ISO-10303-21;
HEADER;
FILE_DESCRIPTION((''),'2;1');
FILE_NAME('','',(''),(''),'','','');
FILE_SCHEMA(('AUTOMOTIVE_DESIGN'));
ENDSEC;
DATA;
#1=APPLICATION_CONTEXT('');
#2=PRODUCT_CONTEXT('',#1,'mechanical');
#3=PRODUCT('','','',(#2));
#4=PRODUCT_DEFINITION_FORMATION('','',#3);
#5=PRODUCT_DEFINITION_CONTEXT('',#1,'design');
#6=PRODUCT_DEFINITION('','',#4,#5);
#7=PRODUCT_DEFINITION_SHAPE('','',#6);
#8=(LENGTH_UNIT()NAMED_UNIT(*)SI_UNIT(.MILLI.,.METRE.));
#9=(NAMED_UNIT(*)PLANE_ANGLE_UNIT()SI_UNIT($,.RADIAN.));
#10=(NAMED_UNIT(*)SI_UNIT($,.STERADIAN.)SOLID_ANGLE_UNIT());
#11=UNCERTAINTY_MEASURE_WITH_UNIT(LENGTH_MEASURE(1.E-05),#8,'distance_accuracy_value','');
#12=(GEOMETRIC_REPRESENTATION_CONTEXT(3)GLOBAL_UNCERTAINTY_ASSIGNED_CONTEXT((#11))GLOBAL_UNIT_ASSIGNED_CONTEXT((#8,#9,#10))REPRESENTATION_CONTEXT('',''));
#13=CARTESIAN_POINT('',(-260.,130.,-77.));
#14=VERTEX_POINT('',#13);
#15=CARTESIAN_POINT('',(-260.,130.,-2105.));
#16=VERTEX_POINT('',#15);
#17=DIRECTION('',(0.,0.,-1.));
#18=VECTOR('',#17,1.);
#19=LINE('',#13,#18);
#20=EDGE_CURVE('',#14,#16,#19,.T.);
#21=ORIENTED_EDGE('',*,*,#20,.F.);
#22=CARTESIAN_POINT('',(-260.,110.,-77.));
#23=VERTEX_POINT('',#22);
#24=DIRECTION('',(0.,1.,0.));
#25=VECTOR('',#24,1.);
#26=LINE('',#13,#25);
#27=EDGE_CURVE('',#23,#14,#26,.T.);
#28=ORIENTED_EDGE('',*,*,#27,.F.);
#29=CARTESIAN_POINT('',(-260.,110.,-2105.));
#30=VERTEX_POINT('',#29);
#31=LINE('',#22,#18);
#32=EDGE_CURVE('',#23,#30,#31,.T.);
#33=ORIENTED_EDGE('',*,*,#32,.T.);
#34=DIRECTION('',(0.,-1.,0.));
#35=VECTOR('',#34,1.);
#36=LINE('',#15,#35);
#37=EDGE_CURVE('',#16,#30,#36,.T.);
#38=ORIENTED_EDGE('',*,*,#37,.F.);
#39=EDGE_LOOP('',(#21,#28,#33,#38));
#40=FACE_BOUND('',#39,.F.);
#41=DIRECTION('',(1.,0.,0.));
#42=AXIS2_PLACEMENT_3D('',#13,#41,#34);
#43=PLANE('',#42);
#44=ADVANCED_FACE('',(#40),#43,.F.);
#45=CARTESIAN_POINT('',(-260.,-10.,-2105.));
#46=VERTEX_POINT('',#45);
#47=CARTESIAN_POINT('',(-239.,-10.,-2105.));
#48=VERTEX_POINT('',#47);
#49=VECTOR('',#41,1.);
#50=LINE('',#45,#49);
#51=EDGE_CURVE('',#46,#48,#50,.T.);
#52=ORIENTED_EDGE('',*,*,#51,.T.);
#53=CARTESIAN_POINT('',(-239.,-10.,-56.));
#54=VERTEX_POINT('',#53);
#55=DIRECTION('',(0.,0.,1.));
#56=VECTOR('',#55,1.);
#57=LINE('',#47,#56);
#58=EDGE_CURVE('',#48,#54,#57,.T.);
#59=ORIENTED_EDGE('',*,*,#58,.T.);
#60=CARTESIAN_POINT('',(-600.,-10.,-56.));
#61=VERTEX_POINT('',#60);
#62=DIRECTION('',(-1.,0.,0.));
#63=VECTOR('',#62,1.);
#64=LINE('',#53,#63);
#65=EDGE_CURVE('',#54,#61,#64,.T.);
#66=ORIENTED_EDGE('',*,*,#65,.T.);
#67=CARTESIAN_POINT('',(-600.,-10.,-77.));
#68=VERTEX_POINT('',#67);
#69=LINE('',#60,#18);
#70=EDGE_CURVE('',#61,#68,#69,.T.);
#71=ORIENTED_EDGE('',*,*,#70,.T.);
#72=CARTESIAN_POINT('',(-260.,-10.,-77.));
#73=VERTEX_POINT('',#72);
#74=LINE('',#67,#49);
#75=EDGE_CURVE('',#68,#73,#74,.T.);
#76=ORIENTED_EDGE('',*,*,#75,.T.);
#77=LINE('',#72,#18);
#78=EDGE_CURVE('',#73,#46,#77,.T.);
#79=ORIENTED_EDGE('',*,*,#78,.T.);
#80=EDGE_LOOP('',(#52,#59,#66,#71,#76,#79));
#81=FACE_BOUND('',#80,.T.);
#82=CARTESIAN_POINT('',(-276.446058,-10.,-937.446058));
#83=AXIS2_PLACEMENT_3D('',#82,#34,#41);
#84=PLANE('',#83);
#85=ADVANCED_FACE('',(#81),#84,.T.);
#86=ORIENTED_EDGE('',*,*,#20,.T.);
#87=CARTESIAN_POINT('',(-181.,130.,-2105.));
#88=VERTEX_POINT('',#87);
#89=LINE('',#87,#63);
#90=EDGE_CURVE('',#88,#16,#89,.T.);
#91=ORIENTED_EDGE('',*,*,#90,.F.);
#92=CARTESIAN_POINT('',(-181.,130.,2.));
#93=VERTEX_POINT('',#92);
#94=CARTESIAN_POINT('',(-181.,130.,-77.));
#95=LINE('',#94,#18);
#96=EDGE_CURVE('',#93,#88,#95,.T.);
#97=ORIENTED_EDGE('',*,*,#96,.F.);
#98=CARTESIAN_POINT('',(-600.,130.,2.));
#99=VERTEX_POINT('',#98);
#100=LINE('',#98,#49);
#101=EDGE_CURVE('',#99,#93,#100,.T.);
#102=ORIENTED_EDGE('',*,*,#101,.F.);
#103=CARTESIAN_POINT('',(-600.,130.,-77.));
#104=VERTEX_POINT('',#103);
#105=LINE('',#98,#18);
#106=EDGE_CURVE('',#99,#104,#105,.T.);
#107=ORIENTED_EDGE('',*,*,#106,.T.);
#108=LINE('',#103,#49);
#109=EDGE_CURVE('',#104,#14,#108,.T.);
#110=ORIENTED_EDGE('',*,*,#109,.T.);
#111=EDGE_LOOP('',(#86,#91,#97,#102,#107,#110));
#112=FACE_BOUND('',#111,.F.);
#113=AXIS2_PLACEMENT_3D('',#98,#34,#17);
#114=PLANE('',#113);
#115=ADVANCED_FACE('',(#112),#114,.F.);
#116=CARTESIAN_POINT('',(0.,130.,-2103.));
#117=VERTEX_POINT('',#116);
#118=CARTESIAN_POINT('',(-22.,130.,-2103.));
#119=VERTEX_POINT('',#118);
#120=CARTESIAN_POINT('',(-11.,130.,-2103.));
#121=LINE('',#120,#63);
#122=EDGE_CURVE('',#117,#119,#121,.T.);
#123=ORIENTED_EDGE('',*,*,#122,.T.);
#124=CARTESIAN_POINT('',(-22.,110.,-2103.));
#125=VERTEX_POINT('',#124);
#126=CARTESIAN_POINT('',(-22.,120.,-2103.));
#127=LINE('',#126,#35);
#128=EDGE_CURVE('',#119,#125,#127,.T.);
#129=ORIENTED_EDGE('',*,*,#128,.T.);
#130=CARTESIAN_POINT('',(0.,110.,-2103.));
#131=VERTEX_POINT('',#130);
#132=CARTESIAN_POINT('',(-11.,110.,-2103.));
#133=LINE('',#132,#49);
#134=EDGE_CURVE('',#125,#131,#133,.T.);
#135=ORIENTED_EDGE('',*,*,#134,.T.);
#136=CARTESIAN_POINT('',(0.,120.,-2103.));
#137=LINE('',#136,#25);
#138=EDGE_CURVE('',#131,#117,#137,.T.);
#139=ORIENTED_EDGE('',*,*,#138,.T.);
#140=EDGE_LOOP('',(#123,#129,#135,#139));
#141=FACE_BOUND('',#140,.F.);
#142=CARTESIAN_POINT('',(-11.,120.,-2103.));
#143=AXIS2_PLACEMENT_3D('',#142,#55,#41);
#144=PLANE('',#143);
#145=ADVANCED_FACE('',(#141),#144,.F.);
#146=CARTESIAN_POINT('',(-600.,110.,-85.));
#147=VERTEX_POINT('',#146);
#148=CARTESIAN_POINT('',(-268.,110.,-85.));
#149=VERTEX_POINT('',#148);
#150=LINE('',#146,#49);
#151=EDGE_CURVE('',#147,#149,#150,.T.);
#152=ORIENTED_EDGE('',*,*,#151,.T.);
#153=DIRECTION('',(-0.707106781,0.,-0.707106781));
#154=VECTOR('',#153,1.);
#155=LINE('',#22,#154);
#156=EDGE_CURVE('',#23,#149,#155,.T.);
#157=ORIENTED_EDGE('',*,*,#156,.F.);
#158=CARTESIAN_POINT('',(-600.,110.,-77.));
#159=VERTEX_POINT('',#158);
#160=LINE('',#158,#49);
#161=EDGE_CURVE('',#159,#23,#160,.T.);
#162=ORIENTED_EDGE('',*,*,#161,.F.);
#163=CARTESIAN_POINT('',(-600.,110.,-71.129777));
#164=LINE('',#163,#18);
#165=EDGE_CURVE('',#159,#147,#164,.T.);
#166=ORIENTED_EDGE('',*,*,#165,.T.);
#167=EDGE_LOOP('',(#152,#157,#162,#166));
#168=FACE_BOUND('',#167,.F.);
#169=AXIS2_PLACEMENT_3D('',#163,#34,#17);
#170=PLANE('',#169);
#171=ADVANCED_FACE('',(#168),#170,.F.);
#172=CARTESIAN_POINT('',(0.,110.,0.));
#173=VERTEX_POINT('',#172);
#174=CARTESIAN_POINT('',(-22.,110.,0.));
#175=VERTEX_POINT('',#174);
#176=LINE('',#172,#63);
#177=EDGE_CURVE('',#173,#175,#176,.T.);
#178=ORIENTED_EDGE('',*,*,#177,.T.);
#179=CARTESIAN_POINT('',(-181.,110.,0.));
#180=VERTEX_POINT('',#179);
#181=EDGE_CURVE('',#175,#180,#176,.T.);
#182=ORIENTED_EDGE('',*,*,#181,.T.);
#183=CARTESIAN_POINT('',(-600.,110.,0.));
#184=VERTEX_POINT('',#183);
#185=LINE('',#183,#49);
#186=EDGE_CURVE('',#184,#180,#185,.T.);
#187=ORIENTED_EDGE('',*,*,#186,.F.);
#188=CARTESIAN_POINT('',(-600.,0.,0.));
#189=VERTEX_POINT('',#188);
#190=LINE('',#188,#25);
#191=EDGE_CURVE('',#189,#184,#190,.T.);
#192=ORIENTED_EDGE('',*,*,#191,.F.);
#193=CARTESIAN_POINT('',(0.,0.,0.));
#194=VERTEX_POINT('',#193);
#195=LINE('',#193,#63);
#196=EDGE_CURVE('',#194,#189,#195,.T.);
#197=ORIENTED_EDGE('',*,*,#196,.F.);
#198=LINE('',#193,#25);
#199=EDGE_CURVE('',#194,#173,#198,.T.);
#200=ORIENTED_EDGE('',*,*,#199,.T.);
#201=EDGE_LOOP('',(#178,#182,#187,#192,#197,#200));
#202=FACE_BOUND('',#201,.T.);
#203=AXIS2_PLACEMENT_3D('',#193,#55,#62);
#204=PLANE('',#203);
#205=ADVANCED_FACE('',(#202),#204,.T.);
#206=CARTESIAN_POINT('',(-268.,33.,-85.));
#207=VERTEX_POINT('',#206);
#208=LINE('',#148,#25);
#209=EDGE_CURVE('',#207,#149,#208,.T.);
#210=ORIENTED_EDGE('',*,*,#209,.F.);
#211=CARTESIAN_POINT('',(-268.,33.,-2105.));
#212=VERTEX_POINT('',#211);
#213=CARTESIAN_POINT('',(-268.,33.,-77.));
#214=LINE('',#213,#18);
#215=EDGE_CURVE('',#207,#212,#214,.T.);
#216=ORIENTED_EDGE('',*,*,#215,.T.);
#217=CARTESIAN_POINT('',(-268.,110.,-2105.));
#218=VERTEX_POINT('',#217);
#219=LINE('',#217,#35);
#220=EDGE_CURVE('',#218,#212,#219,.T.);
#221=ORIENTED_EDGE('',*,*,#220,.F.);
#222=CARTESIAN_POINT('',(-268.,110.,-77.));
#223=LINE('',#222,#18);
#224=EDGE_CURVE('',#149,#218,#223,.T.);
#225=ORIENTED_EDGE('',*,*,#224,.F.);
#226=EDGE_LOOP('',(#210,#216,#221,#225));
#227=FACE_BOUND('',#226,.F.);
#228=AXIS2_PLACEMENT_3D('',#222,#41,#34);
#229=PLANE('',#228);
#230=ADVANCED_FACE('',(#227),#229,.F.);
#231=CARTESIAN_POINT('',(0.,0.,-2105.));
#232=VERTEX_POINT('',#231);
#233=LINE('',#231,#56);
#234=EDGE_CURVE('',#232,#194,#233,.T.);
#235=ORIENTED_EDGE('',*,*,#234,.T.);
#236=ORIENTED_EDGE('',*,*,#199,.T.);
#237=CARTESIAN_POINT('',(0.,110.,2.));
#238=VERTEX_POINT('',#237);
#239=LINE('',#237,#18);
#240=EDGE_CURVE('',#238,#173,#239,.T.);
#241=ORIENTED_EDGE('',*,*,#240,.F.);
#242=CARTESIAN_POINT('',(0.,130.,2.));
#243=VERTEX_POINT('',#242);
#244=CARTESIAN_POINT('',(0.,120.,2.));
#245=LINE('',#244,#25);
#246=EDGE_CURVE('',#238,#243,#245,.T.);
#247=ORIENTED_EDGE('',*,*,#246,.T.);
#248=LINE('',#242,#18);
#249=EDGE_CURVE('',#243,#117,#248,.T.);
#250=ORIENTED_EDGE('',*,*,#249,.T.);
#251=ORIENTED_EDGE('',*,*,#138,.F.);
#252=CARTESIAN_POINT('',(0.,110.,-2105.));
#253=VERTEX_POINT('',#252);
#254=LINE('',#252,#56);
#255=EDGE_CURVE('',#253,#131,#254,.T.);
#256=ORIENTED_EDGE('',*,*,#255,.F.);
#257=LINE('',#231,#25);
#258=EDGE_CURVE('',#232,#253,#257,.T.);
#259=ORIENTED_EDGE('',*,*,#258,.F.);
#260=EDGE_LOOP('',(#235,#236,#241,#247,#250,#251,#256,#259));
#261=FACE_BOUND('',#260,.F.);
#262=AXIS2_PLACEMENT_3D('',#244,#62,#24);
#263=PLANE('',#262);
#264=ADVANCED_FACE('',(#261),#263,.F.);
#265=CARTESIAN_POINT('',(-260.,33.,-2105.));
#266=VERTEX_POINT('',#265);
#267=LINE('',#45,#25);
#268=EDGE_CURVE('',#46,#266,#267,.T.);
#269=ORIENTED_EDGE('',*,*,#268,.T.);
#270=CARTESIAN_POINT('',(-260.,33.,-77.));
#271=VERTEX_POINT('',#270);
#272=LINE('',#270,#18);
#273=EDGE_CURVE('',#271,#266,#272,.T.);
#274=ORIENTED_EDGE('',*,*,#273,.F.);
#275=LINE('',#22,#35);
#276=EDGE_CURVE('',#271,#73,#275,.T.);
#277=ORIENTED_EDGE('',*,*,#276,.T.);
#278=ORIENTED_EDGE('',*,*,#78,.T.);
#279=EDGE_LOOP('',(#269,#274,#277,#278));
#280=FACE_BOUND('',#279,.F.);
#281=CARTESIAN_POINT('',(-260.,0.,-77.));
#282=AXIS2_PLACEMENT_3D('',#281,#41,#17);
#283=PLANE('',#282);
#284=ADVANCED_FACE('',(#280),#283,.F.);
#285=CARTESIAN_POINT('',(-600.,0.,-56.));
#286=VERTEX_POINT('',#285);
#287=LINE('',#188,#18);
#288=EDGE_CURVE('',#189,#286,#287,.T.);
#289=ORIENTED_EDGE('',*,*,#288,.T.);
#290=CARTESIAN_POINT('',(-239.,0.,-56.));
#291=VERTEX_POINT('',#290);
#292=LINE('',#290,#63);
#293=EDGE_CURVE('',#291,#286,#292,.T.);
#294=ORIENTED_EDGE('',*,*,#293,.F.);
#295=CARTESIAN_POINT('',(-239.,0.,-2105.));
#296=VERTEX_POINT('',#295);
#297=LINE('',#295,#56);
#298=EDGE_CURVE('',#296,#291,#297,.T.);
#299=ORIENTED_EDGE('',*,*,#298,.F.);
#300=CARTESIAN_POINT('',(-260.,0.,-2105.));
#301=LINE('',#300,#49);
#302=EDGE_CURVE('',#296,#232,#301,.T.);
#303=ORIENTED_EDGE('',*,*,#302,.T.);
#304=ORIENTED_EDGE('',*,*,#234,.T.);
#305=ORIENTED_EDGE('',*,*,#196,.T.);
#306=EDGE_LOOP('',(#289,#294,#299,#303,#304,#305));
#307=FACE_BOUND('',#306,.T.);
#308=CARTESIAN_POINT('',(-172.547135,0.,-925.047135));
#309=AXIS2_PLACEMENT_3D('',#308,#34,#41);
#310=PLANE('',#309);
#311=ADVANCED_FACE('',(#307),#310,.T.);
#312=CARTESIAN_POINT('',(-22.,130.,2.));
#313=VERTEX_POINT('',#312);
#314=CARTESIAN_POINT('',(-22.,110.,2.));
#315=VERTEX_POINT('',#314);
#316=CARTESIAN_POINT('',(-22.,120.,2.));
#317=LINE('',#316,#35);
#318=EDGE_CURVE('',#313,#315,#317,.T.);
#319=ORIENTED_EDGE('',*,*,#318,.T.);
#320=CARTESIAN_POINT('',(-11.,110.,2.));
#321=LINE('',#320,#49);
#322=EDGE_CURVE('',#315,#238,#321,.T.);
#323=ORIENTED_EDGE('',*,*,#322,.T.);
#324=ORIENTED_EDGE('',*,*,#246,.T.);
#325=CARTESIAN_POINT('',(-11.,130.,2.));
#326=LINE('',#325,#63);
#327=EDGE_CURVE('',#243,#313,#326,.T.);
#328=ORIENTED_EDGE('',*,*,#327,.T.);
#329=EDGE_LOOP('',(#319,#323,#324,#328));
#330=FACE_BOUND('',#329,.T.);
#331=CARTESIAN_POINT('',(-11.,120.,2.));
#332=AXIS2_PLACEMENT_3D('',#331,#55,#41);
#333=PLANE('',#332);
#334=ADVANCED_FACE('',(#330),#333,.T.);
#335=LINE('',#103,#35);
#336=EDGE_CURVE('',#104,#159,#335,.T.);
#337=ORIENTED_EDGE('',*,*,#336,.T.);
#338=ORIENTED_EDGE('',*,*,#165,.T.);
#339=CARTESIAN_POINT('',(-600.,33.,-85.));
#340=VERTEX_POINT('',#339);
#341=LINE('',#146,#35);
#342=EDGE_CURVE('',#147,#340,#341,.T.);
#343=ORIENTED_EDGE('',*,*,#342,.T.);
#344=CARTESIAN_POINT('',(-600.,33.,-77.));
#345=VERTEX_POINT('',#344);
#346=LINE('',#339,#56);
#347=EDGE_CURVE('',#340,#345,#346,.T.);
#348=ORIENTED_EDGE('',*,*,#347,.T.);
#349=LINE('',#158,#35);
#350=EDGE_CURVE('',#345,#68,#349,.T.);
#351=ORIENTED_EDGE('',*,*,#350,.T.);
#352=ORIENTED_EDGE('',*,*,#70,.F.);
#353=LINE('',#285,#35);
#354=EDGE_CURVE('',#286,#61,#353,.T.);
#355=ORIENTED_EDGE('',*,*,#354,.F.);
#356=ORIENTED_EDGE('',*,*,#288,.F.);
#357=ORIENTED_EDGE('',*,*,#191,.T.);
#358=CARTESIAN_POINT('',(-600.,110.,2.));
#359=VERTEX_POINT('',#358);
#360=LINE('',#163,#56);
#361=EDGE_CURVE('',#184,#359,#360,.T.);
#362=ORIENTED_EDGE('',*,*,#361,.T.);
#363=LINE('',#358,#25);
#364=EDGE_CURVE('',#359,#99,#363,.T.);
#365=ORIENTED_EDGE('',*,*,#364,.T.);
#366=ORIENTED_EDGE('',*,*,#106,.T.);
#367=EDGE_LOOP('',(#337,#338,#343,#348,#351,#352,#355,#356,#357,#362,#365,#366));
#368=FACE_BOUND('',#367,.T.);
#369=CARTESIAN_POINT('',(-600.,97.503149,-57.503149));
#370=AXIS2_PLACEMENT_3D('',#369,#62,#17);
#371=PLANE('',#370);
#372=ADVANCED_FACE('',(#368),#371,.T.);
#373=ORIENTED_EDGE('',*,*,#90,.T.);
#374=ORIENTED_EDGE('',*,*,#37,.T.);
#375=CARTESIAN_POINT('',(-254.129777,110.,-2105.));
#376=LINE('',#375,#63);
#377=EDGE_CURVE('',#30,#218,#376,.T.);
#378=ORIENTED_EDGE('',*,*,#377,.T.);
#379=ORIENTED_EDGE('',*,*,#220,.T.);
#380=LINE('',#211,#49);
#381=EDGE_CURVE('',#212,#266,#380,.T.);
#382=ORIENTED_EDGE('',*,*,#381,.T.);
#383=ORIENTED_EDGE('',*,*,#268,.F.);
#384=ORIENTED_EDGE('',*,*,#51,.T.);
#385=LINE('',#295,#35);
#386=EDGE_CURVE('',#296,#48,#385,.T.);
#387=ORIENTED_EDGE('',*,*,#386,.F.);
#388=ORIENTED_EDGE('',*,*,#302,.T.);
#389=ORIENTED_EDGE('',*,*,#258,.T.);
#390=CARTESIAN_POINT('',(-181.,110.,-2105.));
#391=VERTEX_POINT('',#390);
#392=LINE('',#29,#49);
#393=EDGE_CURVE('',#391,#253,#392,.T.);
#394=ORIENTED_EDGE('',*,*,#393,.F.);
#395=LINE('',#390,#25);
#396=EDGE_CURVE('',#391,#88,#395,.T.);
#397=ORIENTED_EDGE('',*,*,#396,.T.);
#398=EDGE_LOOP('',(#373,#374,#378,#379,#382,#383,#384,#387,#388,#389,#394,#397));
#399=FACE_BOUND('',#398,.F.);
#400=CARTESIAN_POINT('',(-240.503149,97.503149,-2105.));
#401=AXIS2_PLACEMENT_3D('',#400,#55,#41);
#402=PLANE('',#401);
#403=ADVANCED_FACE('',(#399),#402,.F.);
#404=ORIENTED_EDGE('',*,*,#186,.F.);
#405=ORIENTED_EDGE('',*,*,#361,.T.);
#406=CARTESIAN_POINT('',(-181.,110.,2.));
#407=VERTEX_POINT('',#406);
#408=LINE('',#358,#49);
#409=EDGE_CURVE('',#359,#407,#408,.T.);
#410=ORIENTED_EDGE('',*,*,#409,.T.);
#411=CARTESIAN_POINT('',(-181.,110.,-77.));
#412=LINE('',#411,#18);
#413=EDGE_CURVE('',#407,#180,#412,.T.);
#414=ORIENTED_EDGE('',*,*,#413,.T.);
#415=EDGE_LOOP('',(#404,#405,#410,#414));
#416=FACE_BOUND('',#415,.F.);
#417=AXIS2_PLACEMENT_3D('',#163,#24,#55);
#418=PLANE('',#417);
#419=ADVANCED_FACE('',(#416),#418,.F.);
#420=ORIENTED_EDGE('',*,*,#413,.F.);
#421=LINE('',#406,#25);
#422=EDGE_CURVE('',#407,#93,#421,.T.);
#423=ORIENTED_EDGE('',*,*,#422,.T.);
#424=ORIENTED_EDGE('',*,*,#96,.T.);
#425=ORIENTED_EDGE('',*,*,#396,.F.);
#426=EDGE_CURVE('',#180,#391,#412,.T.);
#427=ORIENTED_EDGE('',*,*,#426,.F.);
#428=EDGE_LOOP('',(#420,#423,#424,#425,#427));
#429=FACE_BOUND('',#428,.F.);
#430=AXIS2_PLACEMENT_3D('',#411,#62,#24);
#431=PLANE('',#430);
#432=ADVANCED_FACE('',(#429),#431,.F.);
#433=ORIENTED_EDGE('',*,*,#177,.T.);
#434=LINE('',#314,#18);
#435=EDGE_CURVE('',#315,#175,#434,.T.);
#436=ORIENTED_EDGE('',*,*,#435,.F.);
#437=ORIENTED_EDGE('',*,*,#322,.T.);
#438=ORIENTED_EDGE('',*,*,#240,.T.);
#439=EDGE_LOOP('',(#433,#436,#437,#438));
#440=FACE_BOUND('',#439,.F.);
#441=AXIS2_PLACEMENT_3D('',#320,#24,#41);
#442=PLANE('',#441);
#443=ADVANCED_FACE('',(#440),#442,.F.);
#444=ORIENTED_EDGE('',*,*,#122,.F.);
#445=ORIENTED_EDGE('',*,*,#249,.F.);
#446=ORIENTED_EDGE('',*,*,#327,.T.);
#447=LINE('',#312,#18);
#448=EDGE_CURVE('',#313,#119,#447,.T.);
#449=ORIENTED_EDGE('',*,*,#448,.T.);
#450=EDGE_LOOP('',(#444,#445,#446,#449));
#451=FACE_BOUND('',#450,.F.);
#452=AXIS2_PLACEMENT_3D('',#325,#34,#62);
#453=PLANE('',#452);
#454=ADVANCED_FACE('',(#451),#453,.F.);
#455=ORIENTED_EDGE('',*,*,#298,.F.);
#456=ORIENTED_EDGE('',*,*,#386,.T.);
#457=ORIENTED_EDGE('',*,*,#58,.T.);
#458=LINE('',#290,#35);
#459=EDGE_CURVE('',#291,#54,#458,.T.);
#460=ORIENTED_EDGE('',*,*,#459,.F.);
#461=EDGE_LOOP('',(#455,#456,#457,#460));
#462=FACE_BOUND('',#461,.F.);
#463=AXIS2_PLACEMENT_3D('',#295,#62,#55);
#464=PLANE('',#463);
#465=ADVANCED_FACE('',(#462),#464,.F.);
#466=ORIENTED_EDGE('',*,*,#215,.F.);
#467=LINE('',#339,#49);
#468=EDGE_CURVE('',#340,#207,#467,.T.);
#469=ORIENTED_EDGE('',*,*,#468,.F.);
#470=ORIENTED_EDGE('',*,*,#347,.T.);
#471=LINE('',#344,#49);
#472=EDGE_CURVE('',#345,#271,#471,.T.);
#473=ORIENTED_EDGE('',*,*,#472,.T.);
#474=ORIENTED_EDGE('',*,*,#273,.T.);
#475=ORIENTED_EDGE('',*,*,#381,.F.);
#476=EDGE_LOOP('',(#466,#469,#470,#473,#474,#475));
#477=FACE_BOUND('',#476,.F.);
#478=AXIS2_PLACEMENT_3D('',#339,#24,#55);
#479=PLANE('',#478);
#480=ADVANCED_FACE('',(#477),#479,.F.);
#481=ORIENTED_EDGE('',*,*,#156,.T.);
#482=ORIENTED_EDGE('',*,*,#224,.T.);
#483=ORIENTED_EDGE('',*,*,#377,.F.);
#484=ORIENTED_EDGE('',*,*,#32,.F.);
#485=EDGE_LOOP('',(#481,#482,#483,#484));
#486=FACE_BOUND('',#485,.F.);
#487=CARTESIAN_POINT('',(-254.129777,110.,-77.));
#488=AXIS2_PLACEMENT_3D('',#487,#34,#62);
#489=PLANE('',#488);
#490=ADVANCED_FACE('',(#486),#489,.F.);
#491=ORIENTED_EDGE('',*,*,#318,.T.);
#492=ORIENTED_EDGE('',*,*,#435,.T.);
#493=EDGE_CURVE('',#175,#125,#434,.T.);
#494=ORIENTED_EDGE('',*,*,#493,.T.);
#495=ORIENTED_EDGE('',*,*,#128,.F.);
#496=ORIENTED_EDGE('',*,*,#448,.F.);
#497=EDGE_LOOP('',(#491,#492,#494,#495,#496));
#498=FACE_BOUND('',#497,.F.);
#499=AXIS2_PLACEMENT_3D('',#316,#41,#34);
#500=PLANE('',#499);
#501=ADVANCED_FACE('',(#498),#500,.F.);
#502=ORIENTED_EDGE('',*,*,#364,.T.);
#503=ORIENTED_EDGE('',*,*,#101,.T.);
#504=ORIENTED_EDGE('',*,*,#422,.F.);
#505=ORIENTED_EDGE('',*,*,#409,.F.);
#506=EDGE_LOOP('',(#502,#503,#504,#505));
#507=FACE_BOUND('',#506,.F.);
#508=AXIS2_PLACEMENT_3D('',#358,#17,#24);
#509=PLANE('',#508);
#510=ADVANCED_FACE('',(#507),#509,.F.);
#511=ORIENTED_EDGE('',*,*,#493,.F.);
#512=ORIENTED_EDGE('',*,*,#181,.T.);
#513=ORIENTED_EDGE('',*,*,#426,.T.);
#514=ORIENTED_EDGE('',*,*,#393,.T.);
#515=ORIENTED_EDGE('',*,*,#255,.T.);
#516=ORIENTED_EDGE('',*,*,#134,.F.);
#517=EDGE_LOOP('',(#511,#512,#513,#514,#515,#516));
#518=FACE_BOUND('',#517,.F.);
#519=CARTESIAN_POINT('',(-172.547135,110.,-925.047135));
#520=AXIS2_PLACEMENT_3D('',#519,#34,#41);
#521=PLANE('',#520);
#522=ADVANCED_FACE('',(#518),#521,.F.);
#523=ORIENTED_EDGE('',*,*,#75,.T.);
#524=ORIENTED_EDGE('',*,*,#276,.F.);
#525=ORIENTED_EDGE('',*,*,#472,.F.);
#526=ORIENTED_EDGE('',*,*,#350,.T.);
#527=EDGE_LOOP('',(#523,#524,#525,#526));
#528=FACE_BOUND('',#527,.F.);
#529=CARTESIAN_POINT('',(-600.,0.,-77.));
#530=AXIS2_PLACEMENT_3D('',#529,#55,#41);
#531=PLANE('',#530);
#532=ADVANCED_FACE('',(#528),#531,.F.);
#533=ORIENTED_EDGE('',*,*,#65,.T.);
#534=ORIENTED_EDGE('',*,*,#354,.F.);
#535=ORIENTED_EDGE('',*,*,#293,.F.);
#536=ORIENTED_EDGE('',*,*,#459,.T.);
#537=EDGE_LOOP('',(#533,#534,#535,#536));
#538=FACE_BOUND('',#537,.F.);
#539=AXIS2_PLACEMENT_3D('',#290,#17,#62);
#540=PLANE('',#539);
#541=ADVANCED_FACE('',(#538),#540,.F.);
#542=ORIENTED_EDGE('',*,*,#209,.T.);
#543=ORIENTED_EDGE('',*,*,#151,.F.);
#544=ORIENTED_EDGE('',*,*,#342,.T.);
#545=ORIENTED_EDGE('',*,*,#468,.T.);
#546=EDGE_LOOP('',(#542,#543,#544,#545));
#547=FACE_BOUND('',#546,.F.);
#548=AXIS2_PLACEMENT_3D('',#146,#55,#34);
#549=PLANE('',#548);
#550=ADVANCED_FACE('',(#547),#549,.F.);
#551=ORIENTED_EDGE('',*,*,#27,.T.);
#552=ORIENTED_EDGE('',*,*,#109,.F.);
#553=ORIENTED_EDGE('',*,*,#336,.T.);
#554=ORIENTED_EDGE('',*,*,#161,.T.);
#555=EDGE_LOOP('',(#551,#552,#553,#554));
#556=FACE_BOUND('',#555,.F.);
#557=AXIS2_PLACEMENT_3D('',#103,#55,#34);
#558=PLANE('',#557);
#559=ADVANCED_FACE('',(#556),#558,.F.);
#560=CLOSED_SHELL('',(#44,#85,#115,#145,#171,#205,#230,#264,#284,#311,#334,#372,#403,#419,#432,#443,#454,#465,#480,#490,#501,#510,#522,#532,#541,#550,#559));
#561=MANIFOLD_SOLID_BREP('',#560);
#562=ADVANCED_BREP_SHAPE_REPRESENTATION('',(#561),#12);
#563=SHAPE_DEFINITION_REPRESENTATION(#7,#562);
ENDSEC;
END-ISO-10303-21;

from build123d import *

# Parameters (mm, degrees)
F1_DEPTH = 110
F3_DEPTH = 10
F4_W     = 5.7648873329
F4_H     = 5.8702230453
F6_W     = 22
F6_H     = 20


with BuildPart() as f1:
    # F0 (on Front) → F1 (new body)
    with BuildSketch(Plane.XZ):
        Polygon((0, -2105), (0, 0), (-600, 0), (-600, -77), (-260, -77), (-260, -2105), align=None)
    extrude(amount=-F1_DEPTH)

    # F2 (on face) → F3 (join)
    with BuildSketch(Plane.XZ):
        Polygon((-239, -56), (-600, -56), (-600, -77), (-260, -77), (-260, -2105), (-239, -2105), align=None)
    extrude(amount=F3_DEPTH)

    # F5: sweep along a path in F5_path
    with BuildLine(Plane(origin=(-600, 110, -77), x_dir=(0, 0, 1), z_dir=(0, -1, 0))) as f5_path:
        Line((0, 0), (0, -340))
        Line((0, -340), (-2028, -340))
    # F4 (on face) → F5 (sweep)
    with BuildSketch(Plane(origin=(-600, 0, 0), x_dir=(0, -1, 0), z_dir=(-1, 0, 0))):
        with Locations((-107.1175563335, -74.0648884773)):
            Rectangle(F4_W, F4_H)
        Polygon((-104.2351126671, -77), (-110, -77), (-110, -85), (-33, -85), (-33, -77), align=None)
        Polygon((-130, -77), (-110, -77), (-110, -71.1297769547), (-110, 0), (-110, 2), (-130, 2), align=None)
    sweep(path=f5_path.line, transition=Transition.RIGHT)

    # F7: sweep along a path in F7_path
    with BuildLine(Plane(origin=(0, 110, 0), x_dir=(0, 0, 1), z_dir=(0, -1, 0))) as f7_path:
        Line((0, 0), (-2105, 0))
    # F6 (on face) → F7 (sweep)
    with BuildSketch(Plane.XY.offset(2)):
        with Locations((-11, 120)):
            Rectangle(F6_W, F6_H)
    sweep(path=f7_path.line)


solid = f1.part
